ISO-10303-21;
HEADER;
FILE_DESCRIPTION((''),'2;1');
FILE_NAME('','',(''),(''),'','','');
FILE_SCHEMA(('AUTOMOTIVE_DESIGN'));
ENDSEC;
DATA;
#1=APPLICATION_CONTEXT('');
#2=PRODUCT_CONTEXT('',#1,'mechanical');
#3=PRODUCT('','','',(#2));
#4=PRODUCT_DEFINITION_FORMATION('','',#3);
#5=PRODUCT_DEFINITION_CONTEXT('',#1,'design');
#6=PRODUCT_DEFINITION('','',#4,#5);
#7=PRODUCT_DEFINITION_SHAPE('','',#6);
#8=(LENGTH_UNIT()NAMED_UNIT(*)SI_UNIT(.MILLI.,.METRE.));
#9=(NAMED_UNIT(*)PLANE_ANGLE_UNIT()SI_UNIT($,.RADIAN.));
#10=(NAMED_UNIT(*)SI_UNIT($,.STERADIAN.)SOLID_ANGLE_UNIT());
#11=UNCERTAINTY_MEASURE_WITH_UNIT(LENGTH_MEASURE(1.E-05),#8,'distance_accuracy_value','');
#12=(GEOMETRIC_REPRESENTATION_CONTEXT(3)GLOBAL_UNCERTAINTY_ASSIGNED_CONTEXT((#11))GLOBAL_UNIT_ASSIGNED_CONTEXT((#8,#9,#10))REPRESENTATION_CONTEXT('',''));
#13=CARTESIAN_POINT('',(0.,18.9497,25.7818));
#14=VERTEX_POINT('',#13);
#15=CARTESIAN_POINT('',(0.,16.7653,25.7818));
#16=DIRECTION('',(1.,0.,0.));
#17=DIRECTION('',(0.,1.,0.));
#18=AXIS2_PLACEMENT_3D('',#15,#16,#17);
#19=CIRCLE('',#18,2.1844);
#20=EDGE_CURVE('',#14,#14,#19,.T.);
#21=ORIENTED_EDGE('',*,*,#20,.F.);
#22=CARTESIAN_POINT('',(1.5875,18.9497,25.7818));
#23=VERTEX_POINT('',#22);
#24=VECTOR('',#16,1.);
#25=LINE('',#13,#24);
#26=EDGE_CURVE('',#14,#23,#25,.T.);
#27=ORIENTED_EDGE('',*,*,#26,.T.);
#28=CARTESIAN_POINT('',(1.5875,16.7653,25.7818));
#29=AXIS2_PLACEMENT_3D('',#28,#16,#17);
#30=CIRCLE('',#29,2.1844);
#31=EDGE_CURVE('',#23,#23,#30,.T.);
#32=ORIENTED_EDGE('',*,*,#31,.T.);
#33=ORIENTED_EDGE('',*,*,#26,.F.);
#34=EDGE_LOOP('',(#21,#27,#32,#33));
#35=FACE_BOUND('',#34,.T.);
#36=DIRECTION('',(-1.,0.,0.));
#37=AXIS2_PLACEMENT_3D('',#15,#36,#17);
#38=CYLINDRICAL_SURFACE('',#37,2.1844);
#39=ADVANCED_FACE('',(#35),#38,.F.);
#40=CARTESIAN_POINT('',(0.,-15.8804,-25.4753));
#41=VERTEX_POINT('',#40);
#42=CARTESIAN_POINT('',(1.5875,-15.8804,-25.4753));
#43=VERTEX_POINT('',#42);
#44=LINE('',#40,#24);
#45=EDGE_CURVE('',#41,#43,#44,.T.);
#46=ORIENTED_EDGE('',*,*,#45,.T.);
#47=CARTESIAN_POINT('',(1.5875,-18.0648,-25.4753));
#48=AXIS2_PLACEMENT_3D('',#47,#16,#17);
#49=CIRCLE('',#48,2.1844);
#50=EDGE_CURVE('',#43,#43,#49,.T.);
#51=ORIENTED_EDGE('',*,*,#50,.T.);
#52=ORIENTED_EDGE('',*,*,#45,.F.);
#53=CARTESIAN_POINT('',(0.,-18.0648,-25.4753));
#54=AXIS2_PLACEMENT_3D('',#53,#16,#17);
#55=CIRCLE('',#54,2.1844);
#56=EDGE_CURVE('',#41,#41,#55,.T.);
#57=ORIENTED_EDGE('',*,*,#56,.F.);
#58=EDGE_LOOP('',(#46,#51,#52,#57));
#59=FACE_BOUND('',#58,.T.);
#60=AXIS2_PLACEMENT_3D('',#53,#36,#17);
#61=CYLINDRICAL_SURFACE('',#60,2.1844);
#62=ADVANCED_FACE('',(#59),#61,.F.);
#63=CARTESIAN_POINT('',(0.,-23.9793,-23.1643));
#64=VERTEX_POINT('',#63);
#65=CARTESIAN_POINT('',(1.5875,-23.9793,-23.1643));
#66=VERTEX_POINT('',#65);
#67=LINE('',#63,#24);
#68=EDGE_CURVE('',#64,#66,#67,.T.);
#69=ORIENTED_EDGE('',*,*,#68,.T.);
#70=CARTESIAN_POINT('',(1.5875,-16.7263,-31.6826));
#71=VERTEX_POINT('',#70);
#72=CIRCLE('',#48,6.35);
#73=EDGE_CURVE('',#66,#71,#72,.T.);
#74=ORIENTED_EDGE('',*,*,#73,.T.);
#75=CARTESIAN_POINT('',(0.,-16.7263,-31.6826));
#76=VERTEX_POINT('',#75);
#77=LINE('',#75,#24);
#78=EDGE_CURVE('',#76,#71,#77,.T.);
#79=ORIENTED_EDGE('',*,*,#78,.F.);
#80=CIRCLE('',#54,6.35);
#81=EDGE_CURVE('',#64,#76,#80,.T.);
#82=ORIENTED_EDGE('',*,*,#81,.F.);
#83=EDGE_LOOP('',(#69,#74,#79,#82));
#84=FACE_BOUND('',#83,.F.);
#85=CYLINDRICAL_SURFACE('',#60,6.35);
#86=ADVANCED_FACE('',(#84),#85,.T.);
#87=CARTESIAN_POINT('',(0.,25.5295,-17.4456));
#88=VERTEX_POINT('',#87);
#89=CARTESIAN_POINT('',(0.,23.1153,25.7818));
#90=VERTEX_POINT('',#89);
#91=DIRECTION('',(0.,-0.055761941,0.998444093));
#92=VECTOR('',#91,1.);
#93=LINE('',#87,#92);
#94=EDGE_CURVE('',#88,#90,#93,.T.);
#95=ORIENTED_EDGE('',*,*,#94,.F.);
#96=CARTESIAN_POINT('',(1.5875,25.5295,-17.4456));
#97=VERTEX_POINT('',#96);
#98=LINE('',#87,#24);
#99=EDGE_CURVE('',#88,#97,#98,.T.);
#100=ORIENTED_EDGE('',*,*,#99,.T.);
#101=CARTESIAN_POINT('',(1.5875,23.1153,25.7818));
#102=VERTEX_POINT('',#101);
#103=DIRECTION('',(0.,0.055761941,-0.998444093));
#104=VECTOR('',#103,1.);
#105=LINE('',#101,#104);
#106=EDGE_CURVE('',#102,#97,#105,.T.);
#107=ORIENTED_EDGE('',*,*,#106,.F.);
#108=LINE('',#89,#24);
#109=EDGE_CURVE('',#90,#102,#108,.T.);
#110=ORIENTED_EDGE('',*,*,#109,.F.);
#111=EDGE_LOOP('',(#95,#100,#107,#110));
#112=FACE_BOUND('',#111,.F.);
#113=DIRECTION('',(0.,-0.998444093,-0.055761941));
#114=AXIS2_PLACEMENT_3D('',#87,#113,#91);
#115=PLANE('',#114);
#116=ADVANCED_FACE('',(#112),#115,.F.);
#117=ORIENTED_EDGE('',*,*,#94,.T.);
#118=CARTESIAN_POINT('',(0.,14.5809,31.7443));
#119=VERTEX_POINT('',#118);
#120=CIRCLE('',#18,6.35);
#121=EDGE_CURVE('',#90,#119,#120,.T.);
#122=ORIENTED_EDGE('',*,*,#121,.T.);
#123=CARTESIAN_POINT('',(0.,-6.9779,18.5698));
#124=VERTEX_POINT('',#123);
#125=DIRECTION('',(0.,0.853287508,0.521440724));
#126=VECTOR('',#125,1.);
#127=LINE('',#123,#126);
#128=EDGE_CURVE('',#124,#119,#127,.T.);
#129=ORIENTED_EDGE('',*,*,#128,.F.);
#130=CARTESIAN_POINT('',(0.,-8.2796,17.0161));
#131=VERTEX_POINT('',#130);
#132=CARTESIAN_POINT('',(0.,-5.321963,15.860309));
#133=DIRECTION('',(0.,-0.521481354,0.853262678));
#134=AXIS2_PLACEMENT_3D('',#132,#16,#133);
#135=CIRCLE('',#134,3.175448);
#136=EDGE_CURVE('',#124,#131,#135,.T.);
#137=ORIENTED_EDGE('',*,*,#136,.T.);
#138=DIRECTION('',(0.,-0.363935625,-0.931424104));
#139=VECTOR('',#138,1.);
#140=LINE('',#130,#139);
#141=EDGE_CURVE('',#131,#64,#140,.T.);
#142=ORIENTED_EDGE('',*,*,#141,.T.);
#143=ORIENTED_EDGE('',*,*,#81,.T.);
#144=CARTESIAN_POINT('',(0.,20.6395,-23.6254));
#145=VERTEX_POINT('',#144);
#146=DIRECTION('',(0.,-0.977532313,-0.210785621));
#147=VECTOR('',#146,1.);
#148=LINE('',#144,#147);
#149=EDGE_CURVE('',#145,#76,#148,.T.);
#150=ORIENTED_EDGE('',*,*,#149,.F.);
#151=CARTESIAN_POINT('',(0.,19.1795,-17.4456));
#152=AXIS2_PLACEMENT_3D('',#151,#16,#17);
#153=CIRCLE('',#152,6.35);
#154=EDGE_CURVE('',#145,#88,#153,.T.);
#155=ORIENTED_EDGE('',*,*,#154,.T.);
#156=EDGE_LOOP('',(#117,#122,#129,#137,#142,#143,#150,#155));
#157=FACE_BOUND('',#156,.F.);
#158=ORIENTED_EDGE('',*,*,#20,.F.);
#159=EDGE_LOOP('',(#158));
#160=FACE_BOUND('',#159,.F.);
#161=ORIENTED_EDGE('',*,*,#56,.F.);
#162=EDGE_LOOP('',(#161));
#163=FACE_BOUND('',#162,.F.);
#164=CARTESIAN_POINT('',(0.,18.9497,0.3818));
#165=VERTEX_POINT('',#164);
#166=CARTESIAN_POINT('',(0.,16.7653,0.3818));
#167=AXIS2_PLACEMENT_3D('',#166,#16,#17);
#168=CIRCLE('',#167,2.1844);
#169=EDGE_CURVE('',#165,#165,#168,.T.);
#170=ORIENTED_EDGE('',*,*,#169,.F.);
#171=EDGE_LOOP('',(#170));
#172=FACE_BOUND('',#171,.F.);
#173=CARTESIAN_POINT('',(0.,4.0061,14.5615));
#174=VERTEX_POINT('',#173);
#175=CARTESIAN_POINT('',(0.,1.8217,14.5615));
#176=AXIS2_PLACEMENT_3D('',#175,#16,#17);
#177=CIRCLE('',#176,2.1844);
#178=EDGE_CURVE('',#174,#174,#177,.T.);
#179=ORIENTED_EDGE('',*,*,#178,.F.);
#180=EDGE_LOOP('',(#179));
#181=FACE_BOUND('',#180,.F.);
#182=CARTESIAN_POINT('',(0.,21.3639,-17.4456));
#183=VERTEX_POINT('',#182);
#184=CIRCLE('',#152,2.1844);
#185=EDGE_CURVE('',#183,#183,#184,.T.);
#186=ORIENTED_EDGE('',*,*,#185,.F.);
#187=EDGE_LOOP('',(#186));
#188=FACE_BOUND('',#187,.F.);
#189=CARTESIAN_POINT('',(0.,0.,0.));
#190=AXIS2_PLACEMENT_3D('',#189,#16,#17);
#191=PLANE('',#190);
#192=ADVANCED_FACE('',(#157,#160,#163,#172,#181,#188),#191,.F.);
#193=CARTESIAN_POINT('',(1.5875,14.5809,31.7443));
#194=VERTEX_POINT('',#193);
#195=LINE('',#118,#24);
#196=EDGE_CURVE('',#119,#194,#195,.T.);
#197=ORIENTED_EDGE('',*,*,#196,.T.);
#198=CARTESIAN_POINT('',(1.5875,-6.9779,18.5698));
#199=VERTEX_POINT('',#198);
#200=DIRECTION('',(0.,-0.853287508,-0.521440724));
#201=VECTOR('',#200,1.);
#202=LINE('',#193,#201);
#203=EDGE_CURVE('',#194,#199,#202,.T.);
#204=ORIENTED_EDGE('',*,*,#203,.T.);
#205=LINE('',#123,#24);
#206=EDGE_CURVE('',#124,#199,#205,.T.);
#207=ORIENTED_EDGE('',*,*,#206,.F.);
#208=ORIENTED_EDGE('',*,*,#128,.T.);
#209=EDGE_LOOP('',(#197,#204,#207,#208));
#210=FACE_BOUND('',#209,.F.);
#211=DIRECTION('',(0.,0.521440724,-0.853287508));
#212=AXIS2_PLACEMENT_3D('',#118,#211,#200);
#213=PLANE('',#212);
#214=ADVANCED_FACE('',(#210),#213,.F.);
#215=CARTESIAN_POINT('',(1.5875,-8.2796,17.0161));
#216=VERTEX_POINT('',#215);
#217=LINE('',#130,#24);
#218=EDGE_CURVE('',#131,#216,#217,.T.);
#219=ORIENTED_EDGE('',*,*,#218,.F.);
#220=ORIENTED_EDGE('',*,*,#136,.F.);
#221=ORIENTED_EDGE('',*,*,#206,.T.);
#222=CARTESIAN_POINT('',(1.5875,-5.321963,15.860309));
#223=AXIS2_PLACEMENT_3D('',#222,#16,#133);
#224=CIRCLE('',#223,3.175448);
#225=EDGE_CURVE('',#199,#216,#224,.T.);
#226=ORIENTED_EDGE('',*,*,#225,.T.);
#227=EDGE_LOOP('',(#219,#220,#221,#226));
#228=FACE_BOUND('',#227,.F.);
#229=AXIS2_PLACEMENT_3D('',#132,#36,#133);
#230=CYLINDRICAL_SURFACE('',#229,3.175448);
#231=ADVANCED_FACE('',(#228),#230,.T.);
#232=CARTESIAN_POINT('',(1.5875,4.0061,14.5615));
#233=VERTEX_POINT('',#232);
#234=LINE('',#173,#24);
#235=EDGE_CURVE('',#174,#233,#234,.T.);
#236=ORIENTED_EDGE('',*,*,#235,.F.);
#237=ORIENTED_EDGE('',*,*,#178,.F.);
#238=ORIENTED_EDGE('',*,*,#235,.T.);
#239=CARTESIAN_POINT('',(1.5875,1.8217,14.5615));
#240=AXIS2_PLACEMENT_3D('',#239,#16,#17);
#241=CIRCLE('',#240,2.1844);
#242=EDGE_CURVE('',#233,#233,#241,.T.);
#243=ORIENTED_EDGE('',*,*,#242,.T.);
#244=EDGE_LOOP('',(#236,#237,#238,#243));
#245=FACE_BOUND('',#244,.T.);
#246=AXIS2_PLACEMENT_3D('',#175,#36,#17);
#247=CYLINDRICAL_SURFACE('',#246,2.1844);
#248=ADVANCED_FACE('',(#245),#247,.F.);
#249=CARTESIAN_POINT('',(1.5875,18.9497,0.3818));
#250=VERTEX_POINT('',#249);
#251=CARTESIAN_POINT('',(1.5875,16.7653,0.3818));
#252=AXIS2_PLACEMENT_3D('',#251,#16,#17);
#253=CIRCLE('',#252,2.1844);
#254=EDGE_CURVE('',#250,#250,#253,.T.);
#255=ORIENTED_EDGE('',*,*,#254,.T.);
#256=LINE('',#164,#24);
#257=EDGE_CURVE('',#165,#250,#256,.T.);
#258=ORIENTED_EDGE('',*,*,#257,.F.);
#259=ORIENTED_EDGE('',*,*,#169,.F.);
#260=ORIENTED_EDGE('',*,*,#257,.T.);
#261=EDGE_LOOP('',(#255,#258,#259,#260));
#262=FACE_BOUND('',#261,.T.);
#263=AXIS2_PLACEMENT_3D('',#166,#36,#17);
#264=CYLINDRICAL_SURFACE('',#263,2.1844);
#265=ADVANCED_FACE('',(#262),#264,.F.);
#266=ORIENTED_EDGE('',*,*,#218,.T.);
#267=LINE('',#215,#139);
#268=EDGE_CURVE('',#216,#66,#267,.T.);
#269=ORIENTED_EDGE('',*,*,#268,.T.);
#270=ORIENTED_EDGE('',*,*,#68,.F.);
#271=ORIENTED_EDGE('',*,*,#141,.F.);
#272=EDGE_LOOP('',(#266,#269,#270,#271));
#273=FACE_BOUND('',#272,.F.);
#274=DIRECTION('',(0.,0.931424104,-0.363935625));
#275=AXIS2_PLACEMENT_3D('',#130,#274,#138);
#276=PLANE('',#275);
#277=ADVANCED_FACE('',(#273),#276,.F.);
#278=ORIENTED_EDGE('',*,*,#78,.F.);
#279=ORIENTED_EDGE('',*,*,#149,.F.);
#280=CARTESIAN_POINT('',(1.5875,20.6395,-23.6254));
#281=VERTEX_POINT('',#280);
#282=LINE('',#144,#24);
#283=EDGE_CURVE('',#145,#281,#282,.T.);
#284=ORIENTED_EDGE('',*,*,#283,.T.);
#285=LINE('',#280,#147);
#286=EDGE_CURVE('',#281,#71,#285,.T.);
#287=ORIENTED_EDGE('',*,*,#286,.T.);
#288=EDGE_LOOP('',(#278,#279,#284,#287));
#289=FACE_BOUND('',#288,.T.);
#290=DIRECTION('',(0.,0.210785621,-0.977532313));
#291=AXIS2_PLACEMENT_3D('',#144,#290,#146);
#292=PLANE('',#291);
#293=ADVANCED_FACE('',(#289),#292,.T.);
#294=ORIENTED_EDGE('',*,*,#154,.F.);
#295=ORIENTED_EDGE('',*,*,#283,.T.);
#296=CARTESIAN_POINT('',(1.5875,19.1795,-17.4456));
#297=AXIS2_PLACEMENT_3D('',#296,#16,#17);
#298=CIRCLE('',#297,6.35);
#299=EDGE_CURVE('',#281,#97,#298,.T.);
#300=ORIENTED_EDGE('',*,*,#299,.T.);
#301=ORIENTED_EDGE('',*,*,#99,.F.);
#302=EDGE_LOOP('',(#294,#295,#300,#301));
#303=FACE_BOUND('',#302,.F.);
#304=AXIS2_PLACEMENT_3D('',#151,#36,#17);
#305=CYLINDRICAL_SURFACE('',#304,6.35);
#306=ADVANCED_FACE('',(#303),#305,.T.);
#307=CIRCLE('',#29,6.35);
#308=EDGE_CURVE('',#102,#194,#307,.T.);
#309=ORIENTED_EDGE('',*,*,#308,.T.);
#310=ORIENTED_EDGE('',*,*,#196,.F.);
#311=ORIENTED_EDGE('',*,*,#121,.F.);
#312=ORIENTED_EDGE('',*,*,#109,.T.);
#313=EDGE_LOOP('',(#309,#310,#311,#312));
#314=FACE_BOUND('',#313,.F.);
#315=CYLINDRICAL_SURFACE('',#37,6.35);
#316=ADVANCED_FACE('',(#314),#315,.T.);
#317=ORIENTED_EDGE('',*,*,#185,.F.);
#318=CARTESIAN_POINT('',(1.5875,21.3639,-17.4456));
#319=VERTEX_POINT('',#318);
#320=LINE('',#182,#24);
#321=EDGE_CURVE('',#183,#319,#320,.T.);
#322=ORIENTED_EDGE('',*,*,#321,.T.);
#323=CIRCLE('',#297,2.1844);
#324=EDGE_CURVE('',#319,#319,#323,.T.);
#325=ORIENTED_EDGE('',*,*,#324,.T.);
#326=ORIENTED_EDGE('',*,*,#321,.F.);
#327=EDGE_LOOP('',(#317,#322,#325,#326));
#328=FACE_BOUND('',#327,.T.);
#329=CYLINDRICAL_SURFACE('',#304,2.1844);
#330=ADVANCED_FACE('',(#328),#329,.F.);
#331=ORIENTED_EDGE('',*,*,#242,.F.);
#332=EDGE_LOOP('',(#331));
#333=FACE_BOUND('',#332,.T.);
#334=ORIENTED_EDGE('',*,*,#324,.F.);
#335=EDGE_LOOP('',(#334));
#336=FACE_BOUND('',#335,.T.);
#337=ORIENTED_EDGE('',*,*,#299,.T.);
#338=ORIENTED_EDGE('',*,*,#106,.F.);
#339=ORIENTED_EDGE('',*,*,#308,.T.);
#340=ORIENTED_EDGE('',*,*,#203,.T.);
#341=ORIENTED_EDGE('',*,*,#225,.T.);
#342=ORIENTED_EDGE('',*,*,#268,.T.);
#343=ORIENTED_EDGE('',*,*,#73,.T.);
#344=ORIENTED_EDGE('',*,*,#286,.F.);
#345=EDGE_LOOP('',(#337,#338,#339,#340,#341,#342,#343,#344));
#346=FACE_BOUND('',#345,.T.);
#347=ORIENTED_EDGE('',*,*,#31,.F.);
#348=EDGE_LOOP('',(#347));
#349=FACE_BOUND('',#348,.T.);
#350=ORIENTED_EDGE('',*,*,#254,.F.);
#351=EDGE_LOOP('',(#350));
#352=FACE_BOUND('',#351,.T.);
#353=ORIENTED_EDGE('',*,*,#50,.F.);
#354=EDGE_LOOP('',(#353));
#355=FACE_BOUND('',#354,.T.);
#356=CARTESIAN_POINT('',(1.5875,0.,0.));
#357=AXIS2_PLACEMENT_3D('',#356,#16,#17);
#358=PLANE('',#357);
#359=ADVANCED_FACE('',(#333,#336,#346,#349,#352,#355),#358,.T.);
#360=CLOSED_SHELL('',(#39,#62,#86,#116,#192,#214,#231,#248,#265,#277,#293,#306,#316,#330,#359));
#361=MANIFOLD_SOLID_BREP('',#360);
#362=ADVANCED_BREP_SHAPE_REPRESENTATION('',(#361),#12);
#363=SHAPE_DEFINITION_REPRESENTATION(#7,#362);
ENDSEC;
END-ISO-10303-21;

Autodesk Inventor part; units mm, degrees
ref_plane "YZ Plane" through (0, 0, 0) normal (1, 0, 0) x (0, 1, 0)
ref_plane "XZ Plane" through (0, 0, 0) normal (0, 1, 0) x (-1, 0, 0)
ref_plane "XY Plane" through (0, 0, 0) normal (0, 0, 1) x (1, 0, 0)
sketch "Sketch1" plane through (0, 0, 0) normal (1, 0, 0) x (0, 1, 0)
  circle A0 centre (1.8217, 14.5615) radius 2.1844
  circle A1 centre (16.7653, 25.7818) radius 2.1844
  circle A2 centre (16.7653, 0.3818) radius 2.1844
  circle A3 centre (19.1795, -17.4456) radius 2.1844
  circle A4 centre (-18.0648, -25.4753) radius 2.1844
  circle A5 centre (19.1795, -17.4456) radius 6.35
  circle A6 centre (16.7653, 25.7818) radius 6.35
  circle A7 centre (-18.0648, -25.4753) radius 6.35
  line L0 (20.6395, -23.6254) -> (-16.7263, -31.6826)
  line L1 (25.5295, -17.4456) -> (23.1153, 25.7818)
  line L2 (14.5809, 31.7443) -> (-6.9779, 18.5698)
  line L3 (-8.2796, 17.0161) -> (-23.9793, -23.1643)
  arc A8 (-6.9779, 18.5698) -> (-8.2796, 17.0161) centre (-5.3223, 15.8607) ccw
  point P0 (0, 0)
  dimension "d0" = 12.7
  dimension "d1" = 12.7
  dimension "d2" = 12.7
  dimension "d3" = 3.175
extrude "Extrusion1" add sketch "Sketch1" along normal blind 1.5875 contours A5 L1 | L0 A7 L3 A8 L2 A6 L1 A5 | A7 | A6 L2 picked at (18.545, -22.3352) picked at (14.1871, 29.9232)
properties part number "lbsupport"
